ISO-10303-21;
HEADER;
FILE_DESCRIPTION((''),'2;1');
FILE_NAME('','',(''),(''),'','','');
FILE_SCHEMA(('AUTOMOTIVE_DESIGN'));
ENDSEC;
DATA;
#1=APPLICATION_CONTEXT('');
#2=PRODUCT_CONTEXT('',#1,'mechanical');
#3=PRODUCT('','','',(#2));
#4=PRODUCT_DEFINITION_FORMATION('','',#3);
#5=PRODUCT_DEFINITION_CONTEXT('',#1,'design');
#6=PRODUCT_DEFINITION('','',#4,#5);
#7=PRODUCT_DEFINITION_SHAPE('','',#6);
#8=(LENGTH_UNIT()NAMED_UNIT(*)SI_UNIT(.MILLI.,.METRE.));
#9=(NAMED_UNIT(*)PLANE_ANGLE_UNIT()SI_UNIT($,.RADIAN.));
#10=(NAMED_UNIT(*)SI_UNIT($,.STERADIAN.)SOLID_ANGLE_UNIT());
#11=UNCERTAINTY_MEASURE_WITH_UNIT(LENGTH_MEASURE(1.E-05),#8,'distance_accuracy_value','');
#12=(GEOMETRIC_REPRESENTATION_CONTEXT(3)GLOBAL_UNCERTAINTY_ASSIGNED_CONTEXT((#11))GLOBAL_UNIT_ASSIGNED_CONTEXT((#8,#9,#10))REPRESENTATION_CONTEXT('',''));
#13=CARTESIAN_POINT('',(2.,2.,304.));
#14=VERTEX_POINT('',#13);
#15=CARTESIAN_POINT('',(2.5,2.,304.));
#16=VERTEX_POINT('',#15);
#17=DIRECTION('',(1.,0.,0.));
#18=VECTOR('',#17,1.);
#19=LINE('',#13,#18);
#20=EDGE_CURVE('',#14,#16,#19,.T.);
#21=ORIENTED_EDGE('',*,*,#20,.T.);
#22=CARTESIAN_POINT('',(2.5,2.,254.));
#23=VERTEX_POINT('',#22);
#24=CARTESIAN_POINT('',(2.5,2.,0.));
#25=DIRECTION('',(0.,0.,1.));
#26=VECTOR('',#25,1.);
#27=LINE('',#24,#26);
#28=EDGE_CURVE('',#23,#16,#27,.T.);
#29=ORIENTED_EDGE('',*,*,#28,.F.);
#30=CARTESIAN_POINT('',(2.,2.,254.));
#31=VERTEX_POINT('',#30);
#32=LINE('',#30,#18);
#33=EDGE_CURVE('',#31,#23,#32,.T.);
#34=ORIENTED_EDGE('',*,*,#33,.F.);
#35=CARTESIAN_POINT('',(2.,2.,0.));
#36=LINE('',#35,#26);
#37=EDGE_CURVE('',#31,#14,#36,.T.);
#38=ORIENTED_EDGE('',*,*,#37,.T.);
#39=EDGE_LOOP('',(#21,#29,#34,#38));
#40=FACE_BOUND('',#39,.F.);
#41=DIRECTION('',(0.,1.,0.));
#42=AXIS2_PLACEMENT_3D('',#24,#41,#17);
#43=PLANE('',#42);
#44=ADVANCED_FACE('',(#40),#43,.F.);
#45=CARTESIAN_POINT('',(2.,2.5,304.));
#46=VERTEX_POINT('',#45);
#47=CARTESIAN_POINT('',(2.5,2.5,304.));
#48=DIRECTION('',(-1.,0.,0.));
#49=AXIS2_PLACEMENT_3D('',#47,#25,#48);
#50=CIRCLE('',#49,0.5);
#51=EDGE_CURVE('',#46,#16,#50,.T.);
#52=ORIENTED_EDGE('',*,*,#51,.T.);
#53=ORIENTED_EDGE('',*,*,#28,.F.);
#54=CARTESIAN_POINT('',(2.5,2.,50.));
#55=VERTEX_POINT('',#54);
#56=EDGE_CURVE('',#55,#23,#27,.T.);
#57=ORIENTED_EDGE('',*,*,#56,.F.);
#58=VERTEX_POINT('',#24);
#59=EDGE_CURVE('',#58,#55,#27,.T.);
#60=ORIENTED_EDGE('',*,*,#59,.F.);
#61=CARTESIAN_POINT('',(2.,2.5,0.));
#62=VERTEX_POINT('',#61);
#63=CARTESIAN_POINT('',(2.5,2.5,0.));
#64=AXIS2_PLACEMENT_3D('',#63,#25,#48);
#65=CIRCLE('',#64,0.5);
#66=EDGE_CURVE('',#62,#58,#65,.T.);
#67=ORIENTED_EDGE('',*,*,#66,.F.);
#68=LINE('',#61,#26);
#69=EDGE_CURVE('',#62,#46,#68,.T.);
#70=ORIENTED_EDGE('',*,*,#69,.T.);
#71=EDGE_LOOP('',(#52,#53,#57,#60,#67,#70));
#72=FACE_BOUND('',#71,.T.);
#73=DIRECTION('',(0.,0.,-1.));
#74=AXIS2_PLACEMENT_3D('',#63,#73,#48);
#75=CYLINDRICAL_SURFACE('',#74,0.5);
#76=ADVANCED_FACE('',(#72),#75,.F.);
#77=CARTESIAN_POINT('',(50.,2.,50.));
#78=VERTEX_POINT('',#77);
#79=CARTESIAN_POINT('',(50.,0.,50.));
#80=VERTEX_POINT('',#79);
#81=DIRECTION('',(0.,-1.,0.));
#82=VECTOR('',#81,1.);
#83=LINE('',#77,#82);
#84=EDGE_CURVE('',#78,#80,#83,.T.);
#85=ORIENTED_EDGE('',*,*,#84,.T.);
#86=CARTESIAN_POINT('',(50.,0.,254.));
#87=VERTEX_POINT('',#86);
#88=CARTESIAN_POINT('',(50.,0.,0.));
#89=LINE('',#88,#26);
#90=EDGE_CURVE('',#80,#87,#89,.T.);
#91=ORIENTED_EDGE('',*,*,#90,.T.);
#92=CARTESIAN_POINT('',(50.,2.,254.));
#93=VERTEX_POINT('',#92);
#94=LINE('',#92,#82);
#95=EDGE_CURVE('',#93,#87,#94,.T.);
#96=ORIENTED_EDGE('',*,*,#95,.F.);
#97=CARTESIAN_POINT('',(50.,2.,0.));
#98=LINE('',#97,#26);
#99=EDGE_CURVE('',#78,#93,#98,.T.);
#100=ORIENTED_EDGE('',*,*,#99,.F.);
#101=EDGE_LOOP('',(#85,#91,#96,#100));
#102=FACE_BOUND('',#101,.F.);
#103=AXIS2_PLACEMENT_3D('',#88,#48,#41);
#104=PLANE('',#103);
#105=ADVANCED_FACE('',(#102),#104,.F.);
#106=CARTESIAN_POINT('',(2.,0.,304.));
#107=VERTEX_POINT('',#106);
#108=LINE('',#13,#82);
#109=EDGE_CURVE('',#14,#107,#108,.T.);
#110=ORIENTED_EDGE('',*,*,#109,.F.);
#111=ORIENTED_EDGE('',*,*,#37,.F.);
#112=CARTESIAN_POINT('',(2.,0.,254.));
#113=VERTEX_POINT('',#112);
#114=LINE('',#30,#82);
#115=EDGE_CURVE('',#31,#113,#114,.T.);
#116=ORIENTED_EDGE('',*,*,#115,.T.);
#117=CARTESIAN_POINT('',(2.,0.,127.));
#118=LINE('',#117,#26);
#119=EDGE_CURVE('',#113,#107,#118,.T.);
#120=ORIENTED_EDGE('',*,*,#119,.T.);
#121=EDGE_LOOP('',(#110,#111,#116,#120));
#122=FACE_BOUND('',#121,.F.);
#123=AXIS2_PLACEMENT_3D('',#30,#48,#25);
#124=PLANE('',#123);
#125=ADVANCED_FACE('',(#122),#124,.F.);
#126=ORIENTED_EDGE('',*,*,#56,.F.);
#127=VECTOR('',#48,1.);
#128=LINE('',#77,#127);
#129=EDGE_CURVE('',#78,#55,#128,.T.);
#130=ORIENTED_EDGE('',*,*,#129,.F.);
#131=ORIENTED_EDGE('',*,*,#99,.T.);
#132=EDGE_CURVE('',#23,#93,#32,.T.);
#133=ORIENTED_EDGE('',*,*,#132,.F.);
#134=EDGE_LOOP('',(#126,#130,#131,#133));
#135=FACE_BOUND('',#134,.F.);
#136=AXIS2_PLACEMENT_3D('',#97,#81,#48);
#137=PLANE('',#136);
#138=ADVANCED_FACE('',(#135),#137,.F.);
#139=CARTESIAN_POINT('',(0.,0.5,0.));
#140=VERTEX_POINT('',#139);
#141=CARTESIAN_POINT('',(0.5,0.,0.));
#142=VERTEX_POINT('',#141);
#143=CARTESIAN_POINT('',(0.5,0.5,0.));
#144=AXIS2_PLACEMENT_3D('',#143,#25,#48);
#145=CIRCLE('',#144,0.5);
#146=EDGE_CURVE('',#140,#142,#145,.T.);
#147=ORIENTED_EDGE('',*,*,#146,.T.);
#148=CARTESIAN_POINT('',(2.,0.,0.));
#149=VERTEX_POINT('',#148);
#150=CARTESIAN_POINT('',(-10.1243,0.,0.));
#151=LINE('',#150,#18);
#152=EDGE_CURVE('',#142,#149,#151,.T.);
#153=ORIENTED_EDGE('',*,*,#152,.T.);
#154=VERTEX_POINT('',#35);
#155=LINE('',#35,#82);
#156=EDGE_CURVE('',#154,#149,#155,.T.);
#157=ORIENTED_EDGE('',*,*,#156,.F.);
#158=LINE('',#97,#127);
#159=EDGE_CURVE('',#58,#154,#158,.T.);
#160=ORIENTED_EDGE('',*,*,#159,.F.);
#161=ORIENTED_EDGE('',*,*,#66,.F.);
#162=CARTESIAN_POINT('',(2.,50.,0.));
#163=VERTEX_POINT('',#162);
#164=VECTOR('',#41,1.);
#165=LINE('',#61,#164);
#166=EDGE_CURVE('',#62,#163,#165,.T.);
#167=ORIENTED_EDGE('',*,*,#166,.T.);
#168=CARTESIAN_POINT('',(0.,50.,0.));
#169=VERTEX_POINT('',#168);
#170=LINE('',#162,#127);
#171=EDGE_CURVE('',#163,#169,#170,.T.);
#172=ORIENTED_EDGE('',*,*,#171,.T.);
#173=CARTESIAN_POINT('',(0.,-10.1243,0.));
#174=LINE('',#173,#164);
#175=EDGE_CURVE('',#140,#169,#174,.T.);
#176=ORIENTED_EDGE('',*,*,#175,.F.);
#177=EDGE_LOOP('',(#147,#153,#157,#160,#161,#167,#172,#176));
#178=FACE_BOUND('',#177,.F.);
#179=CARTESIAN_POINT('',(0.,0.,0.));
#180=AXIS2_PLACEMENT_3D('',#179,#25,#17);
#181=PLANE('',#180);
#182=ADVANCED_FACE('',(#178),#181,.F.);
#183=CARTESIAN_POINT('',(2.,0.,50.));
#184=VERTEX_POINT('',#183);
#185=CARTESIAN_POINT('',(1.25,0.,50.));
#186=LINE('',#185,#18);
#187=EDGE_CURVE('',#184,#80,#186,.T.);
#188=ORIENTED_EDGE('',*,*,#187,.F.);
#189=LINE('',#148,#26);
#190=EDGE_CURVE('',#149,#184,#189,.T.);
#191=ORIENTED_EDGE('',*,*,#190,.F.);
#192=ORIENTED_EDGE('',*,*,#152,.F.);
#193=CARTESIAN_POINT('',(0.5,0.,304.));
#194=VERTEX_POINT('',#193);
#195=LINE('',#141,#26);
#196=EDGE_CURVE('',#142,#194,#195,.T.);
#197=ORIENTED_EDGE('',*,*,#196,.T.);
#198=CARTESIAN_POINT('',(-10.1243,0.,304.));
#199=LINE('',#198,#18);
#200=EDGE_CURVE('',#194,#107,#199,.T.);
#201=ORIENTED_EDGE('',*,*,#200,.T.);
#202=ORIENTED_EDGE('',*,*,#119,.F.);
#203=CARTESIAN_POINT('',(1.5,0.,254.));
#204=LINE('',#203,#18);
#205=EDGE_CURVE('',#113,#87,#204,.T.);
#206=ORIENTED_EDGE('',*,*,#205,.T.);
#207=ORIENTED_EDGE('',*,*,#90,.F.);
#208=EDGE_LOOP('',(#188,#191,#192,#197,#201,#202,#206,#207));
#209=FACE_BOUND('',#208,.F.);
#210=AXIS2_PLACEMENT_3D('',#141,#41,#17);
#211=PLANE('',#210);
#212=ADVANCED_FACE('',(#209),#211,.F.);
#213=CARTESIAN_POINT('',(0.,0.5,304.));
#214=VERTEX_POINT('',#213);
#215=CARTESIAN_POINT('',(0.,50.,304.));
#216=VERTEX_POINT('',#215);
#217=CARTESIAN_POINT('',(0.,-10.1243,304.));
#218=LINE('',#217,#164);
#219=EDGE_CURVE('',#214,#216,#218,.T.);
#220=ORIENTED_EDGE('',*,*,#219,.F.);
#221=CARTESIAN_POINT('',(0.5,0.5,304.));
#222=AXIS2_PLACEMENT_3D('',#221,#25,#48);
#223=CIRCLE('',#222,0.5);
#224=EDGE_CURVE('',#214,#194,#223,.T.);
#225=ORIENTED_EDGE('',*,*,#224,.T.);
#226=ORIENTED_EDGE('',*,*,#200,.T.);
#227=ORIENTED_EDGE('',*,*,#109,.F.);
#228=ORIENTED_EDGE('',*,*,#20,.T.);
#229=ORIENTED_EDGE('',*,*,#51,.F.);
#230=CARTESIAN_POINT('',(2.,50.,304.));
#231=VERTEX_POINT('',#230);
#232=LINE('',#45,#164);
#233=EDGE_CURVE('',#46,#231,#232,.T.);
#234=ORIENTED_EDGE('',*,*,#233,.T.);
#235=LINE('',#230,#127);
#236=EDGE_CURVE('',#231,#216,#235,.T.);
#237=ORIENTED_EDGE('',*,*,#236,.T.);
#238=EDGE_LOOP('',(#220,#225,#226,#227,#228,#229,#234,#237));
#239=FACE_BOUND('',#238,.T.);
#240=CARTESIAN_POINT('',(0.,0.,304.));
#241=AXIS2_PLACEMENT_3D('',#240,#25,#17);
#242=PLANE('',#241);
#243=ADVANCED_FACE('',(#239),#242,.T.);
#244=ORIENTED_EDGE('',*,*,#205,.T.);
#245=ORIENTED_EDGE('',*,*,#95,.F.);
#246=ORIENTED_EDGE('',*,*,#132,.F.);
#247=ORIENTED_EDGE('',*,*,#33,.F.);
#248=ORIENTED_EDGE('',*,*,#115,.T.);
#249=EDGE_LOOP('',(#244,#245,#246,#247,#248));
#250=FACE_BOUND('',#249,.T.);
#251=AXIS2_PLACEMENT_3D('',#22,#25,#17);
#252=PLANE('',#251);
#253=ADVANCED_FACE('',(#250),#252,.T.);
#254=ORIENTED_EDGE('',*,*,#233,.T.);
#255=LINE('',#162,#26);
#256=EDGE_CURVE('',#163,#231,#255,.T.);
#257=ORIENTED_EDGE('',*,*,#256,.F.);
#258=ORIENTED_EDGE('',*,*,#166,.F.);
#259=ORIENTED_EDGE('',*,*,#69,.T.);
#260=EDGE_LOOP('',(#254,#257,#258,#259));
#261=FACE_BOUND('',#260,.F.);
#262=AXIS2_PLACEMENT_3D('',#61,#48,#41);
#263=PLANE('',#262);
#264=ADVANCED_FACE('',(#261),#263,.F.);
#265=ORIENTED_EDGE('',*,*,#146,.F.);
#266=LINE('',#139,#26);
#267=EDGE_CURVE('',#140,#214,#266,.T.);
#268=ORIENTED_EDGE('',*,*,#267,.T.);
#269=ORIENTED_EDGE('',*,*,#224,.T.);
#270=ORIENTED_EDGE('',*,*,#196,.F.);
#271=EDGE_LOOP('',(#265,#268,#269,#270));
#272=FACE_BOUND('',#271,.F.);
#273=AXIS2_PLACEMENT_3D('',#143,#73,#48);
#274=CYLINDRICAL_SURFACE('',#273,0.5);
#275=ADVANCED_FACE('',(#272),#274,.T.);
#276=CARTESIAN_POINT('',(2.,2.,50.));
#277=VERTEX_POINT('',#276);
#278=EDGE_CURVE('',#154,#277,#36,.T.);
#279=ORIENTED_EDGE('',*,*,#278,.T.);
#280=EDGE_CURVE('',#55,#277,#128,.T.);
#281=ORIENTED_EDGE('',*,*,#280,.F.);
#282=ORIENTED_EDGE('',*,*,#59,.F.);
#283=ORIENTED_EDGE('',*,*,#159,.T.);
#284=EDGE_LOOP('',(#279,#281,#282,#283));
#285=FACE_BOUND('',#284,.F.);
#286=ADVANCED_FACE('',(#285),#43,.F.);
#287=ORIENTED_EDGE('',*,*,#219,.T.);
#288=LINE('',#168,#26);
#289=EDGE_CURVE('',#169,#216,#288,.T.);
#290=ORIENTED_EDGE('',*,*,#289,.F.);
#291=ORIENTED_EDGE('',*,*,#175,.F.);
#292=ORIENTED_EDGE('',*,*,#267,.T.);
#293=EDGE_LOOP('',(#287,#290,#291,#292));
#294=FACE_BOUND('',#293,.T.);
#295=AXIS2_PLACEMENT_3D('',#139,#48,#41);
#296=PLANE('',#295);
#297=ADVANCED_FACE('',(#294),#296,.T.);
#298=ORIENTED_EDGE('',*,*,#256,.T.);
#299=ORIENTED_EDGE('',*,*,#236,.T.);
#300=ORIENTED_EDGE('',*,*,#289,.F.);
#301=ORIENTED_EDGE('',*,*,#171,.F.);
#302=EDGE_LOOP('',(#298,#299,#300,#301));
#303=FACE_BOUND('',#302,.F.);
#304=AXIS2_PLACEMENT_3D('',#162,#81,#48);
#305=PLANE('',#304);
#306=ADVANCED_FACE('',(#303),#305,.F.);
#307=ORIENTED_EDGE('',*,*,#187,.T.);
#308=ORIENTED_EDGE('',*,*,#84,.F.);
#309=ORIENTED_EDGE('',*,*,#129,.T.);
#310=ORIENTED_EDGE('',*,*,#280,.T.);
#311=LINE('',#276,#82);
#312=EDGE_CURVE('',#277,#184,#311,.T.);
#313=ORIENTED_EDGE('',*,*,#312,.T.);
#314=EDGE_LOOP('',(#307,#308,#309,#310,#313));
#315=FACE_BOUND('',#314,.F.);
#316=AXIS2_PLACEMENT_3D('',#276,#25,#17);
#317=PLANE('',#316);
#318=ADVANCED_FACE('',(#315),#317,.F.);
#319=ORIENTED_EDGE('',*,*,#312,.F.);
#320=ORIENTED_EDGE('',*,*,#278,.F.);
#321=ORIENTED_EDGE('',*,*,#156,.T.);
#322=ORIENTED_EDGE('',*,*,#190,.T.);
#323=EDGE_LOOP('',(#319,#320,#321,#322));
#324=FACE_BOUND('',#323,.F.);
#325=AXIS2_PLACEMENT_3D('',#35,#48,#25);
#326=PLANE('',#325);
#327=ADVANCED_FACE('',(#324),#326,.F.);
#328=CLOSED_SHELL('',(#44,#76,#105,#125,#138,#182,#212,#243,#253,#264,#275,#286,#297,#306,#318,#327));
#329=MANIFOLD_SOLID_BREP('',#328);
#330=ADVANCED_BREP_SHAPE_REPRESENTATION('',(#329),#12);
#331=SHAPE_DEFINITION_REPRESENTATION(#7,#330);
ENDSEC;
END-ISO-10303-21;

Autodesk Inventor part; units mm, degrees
ref_plane "YZ Plane" through (0, 0, 0) normal (1, 0, 0) x (0, 1, 0)
ref_plane "XZ Plane" through (0, 0, 0) normal (0, 1, 0) x (-1, 0, 0)
ref_plane "XY Plane" through (0, 0, 0) normal (0, 0, 1) x (1, 0, 0)
sketch "Szkic1" plane through (0, 0, 0) normal (0, 0, 1) x (1, 0, 0)
  line L0 (-10.1243, 0) -> (60.0207, 0) projected
  line L1 (0, -10.1243) -> (0, 60.0207) projected
  line L2 (0, 50) -> (0, 0.5)
  line L3 (0.5, 0) -> (50, 0)
  line L4 (50, 2) -> (2.5, 2)
  line L5 (2, 2.5) -> (2, 50)
  line L6 (2, 50) -> (0, 50)
  line L7 (50, 0) -> (50, 2)
  arc A0 (2, 2.5) -> (2.5, 2) centre (2.5, 2.5) ccw
  arc A1 (0, 0.5) -> (0.5, 0) centre (0.5, 0.5) ccw
  point P0 (0, 0)
  dimension "d0" = 2
  dimension "d2" = 2
  dimension "d3" = 50
  dimension "d4" = 50
  dimension "d5" = 0.5
extrude "Wyciągnięcie proste1" add sketch "Szkic1" along normal blind 304 contours A1 L1 L6 L5 A0 L4 L7 L0
sketch "Szkic2" plane through (2.5, 2, 0) normal (0, 1, 0) x (1, 0, 0)
  line L0 (-2.5, 0) -> (-2.5, -304) projected
  line L1 (0, 0) -> (-0.5, 0) projected
  line L2 (-0.5, 0) -> (-0.5, -304) projected
  line L3 (0, -304) -> (-0.5, -304) projected
  line L4 (0, 0) -> (0, -304) projected
  line L5 (47.5, -304) -> (-0.5, -304)
  line L6 (-0.5, -304) -> (-0.5, -254)
  line L7 (-0.5, -254) -> (47.5, -254)
  line L8 (47.5, -254) -> (47.5, -304)
  line L9 (47.5, 0) -> (-0.5, 0)
  line L10 (-0.5, 0) -> (-0.5, -50)
  line L11 (-0.5, -50) -> (47.5, -50)
  line L12 (47.5, -50) -> (47.5, 0)
  dimension "d8" = 50
  dimension "d9" = 50
extrude "Wyciągnięcie proste2" cut sketch "Szkic2" against normal through all contours L4 L11 L2 L1 | L9 L12 L11 L4 | L7 L8 L5 L4 | L4 L3 L2 L7
properties part number "kątownik 2" material "Aluminium 6061"
